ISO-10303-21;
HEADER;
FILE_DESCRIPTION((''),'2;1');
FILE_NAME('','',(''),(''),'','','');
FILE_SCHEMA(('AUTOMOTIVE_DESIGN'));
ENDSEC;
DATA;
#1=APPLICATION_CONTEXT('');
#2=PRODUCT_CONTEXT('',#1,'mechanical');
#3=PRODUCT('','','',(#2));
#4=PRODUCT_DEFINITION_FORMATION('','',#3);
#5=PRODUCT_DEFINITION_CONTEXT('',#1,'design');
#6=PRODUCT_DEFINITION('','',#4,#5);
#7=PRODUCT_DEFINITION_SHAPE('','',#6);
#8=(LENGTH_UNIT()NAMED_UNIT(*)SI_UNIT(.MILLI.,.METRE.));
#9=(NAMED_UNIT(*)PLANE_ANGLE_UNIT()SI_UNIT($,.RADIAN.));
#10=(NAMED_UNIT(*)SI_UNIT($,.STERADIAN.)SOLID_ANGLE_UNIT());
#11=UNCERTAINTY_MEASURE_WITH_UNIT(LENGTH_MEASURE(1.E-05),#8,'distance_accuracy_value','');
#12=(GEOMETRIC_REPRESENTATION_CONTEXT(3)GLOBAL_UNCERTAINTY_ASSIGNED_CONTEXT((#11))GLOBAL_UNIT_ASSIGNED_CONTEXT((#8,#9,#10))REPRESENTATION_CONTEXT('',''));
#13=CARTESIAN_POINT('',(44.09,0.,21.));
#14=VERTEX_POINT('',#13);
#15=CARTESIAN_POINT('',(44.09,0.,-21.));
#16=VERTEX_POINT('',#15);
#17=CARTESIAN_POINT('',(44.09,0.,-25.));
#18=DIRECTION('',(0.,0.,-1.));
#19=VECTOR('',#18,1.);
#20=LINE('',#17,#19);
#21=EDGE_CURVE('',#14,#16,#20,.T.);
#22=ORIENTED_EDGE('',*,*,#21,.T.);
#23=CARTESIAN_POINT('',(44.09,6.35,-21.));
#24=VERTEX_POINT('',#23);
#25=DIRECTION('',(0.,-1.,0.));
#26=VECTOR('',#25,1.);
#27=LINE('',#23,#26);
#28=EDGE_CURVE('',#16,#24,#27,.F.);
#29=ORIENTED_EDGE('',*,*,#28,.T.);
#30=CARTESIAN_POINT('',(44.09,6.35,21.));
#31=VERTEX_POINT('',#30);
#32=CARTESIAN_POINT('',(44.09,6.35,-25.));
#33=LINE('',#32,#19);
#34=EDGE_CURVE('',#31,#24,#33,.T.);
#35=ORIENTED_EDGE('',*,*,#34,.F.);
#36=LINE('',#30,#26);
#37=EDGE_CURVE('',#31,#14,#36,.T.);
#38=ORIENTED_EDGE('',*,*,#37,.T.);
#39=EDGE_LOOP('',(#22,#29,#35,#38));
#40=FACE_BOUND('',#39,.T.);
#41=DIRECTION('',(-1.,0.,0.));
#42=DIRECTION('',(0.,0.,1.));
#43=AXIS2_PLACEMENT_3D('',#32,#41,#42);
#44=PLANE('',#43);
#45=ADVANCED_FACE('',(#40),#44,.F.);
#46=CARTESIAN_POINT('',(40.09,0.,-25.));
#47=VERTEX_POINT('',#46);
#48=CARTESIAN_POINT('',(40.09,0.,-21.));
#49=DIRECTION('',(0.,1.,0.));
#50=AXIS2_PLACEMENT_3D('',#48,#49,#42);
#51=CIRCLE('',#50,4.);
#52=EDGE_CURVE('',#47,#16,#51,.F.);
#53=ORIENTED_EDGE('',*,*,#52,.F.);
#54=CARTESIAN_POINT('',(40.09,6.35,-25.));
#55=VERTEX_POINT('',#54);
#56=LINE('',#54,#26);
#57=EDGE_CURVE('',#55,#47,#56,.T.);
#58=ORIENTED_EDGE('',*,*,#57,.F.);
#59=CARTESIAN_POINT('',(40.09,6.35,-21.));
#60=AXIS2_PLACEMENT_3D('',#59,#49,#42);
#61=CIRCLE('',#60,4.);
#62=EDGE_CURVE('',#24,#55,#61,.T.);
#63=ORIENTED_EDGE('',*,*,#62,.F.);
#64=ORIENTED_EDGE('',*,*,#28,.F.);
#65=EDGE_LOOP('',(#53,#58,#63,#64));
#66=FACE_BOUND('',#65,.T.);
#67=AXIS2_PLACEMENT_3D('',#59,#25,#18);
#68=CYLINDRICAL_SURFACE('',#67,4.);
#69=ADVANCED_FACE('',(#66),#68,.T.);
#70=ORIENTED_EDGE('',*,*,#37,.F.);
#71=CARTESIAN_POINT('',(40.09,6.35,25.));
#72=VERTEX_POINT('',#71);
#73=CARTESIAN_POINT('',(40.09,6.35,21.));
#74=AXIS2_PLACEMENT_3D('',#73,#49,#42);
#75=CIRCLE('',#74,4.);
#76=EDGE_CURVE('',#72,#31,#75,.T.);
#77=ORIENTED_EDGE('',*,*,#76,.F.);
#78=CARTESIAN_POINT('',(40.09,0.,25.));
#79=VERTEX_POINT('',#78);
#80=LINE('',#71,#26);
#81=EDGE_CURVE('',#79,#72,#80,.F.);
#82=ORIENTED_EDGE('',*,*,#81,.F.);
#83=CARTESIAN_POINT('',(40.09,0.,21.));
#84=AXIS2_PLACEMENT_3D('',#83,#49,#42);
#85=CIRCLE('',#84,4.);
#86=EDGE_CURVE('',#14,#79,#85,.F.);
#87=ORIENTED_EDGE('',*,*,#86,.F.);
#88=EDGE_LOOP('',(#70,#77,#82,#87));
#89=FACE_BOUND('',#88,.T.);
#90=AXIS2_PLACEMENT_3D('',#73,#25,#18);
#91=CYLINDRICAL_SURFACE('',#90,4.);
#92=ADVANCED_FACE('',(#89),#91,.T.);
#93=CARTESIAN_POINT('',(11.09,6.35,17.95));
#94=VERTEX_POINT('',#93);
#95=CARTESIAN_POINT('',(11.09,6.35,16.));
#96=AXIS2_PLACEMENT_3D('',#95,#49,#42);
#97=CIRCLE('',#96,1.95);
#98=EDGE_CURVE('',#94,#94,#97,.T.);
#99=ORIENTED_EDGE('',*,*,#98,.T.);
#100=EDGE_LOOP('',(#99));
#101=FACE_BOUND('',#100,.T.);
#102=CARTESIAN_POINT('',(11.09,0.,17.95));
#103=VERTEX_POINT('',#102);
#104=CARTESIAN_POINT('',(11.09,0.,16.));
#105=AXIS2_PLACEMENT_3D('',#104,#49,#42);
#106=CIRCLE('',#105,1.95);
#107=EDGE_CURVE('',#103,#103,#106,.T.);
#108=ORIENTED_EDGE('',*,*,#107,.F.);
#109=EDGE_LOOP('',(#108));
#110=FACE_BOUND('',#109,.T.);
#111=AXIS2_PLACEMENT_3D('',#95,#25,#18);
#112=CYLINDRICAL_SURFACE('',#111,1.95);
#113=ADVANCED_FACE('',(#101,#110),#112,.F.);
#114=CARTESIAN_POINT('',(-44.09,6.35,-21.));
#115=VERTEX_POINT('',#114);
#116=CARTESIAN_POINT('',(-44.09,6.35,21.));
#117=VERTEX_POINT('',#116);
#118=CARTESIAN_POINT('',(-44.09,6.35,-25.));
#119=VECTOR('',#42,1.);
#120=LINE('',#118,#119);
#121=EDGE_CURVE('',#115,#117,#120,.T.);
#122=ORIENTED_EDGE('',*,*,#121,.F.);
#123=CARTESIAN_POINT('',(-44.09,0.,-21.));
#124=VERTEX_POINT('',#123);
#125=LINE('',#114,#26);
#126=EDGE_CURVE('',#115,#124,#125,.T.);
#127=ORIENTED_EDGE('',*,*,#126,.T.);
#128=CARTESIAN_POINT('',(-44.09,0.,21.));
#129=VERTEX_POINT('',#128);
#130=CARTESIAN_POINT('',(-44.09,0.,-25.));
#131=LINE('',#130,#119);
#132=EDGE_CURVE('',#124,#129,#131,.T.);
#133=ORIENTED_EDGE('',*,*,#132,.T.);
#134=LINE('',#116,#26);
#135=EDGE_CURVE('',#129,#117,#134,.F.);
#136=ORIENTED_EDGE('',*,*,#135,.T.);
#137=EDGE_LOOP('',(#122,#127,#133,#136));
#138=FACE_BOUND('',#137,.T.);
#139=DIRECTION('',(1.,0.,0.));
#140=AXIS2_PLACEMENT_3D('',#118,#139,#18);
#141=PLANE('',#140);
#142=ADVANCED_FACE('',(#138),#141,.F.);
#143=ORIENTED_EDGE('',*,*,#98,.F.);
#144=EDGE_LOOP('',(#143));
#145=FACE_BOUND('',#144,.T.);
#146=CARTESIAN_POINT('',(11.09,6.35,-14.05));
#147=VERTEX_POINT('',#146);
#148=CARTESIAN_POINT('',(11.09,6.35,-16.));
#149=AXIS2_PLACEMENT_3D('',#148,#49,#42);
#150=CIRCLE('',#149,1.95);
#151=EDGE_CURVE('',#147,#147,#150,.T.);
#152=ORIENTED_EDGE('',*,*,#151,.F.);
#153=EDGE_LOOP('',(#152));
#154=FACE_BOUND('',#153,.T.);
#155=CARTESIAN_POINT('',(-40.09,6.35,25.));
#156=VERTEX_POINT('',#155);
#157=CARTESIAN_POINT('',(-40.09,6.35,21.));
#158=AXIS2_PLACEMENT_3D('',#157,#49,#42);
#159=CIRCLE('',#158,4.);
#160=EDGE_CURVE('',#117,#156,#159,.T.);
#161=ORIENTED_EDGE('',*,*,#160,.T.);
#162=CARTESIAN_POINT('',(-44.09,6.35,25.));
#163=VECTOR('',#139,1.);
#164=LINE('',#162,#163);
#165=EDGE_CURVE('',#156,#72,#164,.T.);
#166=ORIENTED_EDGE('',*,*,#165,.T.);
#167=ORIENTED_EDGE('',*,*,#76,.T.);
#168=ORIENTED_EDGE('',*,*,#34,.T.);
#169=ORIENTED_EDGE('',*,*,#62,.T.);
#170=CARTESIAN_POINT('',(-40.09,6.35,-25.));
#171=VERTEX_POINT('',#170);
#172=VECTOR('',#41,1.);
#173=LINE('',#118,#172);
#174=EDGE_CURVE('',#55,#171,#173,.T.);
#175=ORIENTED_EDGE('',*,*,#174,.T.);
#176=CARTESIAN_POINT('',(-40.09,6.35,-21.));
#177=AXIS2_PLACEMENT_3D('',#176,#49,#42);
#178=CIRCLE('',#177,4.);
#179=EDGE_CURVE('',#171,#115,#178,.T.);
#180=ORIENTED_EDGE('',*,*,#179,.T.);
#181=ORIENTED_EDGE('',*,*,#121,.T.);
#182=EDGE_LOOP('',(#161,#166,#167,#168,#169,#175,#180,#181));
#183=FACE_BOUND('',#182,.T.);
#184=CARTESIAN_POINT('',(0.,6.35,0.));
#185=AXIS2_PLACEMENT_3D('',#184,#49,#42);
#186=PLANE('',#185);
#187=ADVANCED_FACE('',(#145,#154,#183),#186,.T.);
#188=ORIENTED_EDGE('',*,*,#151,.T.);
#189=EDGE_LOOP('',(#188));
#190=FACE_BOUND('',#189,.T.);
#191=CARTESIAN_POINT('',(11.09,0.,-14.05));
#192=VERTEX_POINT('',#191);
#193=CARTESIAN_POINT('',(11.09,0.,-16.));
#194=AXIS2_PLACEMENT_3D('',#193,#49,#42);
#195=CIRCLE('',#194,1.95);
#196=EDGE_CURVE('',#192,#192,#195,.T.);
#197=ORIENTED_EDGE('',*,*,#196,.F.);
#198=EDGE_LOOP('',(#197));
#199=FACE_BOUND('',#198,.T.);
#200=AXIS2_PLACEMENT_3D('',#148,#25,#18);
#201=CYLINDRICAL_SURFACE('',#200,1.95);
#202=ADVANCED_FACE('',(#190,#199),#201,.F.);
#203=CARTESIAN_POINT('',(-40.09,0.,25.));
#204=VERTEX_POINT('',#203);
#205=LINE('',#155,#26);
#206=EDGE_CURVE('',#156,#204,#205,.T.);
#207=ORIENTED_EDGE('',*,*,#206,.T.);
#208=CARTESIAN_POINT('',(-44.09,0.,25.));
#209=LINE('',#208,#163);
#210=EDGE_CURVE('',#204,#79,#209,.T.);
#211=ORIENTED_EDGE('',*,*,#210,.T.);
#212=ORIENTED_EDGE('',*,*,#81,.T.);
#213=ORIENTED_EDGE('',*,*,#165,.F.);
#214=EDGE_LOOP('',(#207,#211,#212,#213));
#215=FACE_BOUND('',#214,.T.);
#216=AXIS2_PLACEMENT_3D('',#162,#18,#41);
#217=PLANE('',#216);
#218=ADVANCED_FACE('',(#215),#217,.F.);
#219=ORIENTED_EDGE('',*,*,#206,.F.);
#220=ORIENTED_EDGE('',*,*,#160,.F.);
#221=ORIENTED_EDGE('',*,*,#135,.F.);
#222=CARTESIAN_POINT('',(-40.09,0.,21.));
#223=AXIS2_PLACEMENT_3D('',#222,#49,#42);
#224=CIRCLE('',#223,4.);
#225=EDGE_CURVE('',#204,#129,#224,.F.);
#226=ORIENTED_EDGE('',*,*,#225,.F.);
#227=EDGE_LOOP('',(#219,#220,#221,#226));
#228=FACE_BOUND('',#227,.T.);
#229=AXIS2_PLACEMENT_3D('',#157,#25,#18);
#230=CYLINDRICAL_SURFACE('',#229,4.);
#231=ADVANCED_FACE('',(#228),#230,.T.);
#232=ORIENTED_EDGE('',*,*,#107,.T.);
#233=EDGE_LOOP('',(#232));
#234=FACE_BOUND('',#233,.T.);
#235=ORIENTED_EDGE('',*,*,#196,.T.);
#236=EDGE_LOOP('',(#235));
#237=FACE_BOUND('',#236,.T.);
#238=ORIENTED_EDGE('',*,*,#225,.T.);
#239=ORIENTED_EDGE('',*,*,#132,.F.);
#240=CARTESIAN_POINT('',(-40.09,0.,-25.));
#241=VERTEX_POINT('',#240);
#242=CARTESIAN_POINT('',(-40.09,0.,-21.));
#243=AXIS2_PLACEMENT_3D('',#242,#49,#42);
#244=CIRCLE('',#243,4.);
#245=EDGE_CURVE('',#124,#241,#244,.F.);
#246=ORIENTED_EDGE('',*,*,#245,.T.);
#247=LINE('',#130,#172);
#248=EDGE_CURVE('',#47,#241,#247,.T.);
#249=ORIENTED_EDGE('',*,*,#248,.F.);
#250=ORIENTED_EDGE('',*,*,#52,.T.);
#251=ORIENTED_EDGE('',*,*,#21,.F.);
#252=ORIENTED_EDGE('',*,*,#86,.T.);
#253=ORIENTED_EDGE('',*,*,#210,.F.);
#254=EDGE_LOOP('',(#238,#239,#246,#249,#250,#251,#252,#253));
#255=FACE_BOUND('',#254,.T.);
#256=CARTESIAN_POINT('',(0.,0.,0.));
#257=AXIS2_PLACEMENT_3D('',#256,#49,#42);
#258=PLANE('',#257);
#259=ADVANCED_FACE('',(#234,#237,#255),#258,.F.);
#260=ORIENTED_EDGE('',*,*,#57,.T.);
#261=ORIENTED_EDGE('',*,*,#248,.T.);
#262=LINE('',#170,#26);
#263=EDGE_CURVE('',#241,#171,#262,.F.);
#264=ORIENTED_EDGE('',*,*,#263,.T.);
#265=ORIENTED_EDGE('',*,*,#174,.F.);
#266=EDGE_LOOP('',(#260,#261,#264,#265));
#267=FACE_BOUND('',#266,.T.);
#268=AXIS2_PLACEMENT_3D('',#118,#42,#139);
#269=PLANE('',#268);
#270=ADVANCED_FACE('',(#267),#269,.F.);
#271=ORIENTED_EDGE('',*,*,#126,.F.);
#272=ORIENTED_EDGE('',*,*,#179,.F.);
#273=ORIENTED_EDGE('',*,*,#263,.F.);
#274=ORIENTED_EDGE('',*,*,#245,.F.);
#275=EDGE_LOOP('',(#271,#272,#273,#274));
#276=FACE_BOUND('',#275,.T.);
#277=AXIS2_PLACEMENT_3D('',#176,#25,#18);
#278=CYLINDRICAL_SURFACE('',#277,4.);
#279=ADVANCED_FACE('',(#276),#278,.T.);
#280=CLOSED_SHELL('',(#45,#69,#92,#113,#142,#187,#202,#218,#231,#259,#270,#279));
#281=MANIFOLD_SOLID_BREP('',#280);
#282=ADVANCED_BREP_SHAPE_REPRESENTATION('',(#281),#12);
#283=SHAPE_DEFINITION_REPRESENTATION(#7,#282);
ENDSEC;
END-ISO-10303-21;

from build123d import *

# Parameters (mm, degrees)
SKETCH1_W           = 88.18
SKETCH1_H           = 50
SKETCH1_R           = 1.95
BOSS_EXTRUDE1_DEPTH = 6.35
FILLET1_R           = 4


with BuildPart() as part:
    # Sketch1 → Boss-Extrude1 (new body)
    with BuildSketch(Plane(origin=(0, 0, 0), x_dir=(1, 0, 0), z_dir=(0, 1, 0))):
        Rectangle(SKETCH1_W, SKETCH1_H)
        with Locations(Location((11.09, 16, 0), (0, 0, 270))):
            Circle(SKETCH1_R, mode=Mode.SUBTRACT)
        with Locations(Location((11.09, -16, 0), (0, 0, 270))):
            Circle(SKETCH1_R, mode=Mode.SUBTRACT)
    extrude(amount=BOSS_EXTRUDE1_DEPTH)

    # Fillet1
    fillet1_edges = [part.edges().sort_by_distance(p)[0] for p in [
        (44.09, 3.175, 25),
        (-44.09, 3.175, 25),
        (-44.09, 3.175, -25),
        (44.09, 3.175, -25),
    ]]
    fillet(fillet1_edges, radius=FILLET1_R)


solid = part.part
